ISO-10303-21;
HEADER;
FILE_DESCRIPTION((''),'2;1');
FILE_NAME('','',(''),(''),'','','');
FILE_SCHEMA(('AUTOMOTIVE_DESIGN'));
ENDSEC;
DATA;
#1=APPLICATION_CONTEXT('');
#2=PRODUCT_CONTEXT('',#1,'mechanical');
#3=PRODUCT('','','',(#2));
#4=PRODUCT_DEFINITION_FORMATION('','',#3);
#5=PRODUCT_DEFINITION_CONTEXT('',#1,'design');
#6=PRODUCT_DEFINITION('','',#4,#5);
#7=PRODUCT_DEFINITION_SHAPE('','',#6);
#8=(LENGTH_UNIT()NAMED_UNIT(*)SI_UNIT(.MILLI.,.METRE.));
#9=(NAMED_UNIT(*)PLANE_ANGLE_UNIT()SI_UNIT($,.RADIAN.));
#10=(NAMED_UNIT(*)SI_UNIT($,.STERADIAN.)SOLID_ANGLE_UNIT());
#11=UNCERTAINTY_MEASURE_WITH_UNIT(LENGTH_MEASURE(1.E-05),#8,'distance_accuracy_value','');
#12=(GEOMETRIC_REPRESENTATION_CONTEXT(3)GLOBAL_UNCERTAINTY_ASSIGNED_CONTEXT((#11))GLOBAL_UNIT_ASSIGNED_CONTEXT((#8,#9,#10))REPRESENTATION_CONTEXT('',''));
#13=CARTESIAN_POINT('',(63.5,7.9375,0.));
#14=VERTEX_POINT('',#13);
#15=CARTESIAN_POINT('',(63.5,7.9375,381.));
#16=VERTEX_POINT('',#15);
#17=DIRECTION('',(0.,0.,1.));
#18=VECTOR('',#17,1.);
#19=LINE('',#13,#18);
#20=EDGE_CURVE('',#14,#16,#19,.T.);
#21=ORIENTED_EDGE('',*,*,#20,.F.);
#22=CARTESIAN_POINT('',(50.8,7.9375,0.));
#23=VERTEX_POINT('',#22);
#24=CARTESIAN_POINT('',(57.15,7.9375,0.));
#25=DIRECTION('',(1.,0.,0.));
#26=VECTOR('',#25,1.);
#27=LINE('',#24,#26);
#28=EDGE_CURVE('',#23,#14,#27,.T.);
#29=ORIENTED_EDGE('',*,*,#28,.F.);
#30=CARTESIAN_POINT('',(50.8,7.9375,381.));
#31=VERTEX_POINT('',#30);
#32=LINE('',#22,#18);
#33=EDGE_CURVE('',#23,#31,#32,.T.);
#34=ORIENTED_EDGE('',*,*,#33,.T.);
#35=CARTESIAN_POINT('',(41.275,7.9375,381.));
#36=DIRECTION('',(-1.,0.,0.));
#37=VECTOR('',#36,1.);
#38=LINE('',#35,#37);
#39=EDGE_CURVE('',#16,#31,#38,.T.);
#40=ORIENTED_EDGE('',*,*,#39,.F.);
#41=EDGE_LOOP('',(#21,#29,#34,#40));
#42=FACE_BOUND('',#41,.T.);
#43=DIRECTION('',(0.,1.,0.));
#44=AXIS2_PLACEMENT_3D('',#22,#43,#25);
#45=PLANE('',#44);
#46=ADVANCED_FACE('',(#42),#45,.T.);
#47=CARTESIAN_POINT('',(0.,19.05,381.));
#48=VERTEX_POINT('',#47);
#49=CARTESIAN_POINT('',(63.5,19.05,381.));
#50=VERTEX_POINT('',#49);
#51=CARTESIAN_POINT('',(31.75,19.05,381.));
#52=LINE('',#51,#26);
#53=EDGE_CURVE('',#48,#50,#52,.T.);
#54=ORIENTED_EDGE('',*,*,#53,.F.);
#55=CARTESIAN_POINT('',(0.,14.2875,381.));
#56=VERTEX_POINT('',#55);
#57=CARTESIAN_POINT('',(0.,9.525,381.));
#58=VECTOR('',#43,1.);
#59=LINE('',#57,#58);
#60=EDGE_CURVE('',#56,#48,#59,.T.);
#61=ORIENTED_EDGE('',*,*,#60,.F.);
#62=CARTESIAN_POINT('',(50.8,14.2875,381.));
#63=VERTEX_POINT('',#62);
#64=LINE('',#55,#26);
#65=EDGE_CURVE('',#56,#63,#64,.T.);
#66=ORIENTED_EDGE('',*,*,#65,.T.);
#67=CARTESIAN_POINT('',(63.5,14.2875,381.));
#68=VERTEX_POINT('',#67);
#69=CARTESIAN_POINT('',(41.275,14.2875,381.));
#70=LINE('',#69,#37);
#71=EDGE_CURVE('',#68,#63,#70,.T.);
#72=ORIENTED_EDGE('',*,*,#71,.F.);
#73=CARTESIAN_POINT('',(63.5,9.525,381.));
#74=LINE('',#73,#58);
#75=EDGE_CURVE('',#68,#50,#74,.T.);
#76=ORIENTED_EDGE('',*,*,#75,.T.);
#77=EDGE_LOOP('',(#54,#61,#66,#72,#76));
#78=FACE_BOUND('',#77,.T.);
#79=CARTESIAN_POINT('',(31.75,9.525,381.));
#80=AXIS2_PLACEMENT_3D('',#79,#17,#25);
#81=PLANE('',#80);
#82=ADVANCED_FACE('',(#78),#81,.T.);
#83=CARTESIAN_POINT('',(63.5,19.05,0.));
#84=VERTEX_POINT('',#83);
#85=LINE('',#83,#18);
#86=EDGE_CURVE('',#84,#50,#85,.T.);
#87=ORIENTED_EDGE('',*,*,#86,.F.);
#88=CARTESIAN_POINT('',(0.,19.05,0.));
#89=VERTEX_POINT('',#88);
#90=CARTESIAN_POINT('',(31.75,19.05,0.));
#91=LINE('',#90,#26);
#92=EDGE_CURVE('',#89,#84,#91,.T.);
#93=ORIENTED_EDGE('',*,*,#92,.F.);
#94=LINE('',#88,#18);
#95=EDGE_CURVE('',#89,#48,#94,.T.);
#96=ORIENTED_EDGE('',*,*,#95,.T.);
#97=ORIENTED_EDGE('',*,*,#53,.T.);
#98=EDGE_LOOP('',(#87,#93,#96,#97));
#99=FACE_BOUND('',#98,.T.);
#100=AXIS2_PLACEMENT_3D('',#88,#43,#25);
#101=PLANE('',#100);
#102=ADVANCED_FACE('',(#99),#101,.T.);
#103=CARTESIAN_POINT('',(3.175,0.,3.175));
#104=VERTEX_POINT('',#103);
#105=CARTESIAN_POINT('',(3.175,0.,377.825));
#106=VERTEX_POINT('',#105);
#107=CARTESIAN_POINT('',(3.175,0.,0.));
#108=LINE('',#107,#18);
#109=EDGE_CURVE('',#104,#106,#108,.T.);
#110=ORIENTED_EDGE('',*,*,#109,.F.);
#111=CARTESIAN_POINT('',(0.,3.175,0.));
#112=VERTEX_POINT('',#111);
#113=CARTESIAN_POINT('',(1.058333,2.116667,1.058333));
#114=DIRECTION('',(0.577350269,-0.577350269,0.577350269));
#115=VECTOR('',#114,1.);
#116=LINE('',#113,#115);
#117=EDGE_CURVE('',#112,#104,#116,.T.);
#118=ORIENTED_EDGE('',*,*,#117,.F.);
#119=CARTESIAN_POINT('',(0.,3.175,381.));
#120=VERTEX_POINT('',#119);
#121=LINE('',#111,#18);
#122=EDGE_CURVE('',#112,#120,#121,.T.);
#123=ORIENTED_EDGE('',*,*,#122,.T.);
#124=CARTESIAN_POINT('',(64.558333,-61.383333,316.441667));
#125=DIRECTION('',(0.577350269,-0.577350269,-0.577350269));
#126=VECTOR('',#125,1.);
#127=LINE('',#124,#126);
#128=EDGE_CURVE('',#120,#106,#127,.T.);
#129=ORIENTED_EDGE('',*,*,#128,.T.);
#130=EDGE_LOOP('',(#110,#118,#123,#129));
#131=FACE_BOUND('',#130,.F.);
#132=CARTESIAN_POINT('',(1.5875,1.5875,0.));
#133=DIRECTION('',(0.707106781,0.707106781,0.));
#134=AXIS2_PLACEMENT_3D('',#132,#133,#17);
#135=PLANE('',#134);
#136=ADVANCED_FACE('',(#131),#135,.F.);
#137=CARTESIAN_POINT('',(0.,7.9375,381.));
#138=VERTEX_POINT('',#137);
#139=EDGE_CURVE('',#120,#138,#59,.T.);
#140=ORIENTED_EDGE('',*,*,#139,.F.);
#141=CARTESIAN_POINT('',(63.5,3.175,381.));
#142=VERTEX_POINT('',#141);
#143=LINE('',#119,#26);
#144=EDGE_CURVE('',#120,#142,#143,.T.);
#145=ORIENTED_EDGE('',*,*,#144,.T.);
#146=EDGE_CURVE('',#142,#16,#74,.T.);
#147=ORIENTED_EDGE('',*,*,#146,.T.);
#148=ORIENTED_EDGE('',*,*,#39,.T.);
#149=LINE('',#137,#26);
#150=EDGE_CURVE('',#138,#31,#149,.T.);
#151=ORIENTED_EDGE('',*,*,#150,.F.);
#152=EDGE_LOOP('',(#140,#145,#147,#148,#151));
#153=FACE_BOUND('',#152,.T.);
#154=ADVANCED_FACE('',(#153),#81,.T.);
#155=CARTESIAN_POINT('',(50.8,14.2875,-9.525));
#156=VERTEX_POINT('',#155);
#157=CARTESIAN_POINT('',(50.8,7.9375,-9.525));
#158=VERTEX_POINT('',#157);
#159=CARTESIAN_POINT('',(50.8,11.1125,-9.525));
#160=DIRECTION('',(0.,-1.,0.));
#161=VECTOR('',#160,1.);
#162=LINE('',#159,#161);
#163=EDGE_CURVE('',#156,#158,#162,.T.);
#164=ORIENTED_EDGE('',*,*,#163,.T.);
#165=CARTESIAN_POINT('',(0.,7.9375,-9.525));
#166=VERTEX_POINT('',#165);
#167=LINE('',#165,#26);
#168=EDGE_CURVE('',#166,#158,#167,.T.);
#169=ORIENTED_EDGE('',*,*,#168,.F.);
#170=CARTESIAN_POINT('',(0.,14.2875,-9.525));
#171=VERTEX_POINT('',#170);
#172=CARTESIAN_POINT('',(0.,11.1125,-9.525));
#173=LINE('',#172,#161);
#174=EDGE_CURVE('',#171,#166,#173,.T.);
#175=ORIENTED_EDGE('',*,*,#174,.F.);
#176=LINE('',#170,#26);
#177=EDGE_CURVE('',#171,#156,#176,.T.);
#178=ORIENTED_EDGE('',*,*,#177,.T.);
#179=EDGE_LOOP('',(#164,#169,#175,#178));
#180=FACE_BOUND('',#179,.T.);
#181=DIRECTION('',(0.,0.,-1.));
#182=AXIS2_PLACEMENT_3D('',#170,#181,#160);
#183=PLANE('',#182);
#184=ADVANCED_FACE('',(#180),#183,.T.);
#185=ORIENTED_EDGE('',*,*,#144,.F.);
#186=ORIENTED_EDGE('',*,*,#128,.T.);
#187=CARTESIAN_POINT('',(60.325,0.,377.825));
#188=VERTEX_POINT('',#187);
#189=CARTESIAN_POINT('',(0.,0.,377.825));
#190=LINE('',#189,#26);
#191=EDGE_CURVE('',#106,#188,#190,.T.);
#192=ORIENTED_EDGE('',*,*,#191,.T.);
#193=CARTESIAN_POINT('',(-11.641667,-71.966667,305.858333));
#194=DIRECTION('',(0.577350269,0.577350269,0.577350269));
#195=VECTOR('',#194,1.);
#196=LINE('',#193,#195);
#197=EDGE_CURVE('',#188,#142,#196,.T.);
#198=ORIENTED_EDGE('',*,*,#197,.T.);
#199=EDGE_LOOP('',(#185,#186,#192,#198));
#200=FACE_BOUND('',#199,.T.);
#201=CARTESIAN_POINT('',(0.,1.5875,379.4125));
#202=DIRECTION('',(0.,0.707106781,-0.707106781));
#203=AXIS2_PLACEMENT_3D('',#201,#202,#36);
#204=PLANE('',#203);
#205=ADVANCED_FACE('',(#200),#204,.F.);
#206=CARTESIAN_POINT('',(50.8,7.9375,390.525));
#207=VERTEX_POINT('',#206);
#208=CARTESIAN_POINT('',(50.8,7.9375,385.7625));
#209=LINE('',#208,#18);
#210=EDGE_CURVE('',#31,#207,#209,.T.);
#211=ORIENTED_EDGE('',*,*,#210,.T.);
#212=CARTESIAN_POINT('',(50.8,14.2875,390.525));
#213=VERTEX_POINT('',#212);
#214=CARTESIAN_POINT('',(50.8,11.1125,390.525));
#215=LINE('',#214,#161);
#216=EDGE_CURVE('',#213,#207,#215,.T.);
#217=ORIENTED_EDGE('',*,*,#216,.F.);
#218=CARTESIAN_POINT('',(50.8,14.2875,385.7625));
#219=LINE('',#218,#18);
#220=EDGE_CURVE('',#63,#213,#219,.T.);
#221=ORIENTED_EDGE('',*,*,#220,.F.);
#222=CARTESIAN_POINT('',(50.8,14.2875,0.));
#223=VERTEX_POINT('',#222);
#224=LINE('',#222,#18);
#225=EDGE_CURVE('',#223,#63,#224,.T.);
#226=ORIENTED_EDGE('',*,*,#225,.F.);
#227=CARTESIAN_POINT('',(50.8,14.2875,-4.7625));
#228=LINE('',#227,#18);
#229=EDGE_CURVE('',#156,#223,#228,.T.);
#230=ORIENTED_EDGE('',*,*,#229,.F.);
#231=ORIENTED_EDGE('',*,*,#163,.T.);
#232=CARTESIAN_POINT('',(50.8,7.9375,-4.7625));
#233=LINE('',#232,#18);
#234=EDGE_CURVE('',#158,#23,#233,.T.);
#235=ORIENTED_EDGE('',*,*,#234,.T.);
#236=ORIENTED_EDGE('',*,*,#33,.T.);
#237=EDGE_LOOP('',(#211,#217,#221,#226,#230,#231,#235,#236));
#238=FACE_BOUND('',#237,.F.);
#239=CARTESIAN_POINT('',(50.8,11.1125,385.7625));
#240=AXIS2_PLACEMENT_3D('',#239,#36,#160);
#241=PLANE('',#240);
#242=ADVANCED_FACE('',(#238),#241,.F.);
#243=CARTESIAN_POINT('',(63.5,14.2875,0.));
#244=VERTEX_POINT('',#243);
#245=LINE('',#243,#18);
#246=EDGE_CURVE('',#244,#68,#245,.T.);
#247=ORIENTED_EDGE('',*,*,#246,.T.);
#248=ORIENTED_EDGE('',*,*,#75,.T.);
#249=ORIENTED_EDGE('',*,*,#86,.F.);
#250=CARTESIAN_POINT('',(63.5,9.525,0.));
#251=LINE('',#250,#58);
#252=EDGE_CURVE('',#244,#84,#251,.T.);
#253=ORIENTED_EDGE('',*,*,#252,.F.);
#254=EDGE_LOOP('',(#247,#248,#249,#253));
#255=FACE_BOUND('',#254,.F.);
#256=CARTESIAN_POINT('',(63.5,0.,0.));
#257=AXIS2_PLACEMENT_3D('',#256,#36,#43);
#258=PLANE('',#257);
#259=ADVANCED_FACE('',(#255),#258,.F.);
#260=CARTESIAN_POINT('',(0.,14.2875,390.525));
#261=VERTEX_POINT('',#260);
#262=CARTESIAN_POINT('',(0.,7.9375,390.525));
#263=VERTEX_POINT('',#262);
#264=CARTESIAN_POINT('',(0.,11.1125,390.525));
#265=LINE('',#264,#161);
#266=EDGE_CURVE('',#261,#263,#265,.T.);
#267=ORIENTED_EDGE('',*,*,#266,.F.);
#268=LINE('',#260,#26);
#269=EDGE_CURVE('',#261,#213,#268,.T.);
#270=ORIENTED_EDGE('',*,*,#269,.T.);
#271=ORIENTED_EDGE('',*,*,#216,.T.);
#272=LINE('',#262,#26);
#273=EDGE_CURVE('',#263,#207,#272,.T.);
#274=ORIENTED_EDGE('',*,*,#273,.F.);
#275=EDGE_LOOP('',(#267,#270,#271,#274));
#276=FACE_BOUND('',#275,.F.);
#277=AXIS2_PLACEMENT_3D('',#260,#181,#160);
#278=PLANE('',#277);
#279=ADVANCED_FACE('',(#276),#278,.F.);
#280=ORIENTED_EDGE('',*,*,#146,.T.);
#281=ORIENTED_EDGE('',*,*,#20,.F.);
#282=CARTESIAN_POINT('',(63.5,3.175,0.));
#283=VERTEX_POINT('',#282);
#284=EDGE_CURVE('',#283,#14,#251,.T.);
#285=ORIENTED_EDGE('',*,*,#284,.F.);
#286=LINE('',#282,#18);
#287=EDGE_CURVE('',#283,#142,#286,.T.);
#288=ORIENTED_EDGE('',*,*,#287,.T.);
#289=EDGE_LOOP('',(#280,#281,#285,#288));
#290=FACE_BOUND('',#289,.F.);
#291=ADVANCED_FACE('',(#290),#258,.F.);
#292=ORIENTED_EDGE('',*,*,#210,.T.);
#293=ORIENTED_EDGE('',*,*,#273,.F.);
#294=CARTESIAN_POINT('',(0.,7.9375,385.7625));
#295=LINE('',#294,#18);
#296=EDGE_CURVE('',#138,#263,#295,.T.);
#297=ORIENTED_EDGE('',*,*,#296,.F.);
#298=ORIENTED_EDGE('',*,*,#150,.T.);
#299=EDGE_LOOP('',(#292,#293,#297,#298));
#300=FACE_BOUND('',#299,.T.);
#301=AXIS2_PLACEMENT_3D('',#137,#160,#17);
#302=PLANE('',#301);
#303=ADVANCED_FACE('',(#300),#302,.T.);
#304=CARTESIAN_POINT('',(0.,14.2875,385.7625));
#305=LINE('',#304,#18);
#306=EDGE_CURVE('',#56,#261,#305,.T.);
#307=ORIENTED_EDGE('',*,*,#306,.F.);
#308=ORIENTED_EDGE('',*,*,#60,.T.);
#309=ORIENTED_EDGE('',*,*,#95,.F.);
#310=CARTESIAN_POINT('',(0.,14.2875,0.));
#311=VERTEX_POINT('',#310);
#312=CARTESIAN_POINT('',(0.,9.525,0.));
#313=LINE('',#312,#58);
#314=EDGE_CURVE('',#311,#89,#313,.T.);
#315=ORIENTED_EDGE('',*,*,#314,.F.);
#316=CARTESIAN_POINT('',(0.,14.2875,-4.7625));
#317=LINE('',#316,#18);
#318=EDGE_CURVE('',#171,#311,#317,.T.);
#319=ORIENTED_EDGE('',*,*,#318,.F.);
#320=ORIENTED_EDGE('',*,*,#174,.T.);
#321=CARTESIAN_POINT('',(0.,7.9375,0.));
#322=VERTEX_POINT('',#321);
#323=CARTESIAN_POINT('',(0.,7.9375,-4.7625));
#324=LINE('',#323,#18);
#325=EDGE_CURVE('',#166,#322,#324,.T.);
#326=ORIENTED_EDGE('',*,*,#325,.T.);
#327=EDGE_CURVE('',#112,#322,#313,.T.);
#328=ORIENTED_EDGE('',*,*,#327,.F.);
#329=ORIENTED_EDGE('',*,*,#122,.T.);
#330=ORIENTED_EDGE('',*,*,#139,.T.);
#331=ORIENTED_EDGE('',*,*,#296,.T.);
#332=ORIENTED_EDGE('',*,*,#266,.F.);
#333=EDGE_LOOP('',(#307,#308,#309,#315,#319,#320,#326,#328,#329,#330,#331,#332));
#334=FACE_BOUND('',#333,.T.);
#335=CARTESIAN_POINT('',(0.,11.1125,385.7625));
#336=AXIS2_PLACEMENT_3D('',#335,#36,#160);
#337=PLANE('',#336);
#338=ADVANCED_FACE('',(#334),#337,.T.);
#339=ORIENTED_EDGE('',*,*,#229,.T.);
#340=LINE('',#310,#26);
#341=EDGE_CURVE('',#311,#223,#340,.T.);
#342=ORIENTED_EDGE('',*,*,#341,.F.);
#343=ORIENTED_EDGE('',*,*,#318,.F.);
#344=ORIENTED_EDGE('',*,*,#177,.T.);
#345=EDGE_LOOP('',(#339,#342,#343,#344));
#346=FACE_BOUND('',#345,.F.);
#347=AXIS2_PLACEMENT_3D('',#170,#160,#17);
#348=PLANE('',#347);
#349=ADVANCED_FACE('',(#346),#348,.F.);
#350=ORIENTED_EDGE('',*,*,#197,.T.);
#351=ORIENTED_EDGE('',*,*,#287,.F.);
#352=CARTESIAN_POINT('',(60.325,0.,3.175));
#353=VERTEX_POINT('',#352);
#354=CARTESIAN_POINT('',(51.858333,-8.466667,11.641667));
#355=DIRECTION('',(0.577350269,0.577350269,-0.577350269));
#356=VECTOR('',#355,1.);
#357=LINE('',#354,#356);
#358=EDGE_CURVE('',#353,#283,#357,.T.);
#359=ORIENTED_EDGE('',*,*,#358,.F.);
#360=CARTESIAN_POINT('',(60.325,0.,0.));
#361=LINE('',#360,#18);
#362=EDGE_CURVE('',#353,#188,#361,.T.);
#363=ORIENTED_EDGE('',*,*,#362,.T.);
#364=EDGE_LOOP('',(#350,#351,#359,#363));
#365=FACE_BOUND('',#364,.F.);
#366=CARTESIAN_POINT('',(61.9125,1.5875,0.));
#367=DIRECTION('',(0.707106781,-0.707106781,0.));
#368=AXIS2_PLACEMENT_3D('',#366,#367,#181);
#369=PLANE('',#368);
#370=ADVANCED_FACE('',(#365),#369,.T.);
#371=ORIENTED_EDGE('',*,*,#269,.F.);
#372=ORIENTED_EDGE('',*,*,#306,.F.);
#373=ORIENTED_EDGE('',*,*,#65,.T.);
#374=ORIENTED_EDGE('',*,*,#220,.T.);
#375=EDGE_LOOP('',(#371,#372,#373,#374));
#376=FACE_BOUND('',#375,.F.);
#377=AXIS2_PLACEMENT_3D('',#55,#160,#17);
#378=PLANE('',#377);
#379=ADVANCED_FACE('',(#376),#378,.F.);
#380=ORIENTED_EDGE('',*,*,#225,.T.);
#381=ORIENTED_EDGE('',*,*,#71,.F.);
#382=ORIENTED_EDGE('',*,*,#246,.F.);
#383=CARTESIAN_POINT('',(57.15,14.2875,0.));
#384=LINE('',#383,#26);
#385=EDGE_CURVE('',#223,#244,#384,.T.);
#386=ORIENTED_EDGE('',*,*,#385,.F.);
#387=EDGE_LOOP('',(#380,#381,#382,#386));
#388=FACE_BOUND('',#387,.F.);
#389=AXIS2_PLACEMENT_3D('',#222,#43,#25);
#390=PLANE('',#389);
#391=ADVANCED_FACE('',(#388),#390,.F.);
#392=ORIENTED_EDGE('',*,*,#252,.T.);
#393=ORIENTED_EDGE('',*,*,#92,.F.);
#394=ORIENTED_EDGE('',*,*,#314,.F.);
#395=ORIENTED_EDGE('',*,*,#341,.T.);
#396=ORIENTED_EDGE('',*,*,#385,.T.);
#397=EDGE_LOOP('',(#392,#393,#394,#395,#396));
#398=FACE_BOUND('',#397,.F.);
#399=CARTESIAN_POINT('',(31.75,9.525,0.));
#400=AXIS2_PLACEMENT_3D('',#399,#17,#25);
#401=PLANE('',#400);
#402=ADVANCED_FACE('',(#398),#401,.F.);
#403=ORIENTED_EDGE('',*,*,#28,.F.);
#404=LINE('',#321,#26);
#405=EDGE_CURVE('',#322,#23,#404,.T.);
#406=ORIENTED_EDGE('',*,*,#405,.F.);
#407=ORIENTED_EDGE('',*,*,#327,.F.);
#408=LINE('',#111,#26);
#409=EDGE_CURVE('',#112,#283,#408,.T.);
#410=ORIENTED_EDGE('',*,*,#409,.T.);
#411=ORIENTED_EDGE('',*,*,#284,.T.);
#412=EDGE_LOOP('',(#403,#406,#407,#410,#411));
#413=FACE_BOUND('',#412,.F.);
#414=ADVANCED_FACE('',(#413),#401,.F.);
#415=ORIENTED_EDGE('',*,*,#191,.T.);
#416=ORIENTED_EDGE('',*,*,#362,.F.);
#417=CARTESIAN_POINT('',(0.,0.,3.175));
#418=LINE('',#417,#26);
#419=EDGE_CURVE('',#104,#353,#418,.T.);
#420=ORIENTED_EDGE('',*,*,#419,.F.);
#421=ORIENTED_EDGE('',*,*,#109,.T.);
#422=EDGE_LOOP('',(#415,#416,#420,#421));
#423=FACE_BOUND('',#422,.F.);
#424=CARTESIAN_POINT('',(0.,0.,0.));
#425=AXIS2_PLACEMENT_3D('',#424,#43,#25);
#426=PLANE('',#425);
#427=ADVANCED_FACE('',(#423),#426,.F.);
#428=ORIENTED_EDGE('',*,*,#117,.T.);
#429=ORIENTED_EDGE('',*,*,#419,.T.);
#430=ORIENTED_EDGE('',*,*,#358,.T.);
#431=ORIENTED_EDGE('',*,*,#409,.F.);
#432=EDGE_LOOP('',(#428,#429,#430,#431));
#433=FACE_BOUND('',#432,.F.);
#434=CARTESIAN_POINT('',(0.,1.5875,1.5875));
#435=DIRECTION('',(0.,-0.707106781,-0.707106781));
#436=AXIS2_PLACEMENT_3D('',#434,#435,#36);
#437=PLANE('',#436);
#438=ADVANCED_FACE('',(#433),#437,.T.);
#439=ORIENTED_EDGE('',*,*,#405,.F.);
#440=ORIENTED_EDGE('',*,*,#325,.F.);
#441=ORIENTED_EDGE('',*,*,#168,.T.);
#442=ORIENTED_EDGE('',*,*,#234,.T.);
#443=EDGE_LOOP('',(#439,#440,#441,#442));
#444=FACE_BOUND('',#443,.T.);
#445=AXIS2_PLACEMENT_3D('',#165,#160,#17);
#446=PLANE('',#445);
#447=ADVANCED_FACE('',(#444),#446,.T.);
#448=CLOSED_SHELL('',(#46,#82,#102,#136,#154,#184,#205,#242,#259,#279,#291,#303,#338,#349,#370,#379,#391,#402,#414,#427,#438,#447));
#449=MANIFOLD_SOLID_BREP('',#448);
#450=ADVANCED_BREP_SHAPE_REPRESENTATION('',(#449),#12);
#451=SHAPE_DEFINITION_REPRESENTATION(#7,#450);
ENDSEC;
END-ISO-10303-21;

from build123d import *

# Parameters (mm, degrees)
F0_W     = 63.5
F0_H     = 19.05
F1_DEPTH = 381
F2_SIZE  = 3.175
F3_W     = 12.7
F3_H     = 6.35
F4_DEPTH = 381.001
F5_W     = 6.35
F5_H     = 9.525
F6_DEPTH = 50.8


with BuildPart() as f1:
    # F0 (on Top) → F1 (new body)
    with BuildSketch(Plane.XY):
        with Locations((31.75, 9.525)):
            Rectangle(F0_W, F0_H)
    extrude(amount=F1_DEPTH)

    # F2
    f2_edges = [f1.edges().sort_by_distance(p)[0] for p in [
        (0, 0, 190.5),
        (63.5, 0, 190.5),
        (31.75, 0, 381),
        (31.75, 0, 0),
    ]]
    chamfer(f2_edges, length=F2_SIZE)

    # F3 (on face) → F4 (cut, through all)
    with BuildSketch(Plane(origin=(0, 0, 0), x_dir=(1, 0, 0), z_dir=(0, 0, -1))):
        with Locations((57.15, -11.1125)):
            Rectangle(F3_W, F3_H)
    extrude(amount=-F4_DEPTH, mode=Mode.SUBTRACT)

    # F5 (on face) → F6 (join)
    with BuildSketch(Plane(origin=(0, 0, 0), x_dir=(0, -1, 0), z_dir=(-1, 0, 0))):
        with Locations((-11.1125, 385.7625)):
            Rectangle(F5_W, F5_H)
        with Locations((-11.1125, -4.7625)):
            Rectangle(F5_W, F5_H)
    extrude(amount=-F6_DEPTH)


solid = f1.part
